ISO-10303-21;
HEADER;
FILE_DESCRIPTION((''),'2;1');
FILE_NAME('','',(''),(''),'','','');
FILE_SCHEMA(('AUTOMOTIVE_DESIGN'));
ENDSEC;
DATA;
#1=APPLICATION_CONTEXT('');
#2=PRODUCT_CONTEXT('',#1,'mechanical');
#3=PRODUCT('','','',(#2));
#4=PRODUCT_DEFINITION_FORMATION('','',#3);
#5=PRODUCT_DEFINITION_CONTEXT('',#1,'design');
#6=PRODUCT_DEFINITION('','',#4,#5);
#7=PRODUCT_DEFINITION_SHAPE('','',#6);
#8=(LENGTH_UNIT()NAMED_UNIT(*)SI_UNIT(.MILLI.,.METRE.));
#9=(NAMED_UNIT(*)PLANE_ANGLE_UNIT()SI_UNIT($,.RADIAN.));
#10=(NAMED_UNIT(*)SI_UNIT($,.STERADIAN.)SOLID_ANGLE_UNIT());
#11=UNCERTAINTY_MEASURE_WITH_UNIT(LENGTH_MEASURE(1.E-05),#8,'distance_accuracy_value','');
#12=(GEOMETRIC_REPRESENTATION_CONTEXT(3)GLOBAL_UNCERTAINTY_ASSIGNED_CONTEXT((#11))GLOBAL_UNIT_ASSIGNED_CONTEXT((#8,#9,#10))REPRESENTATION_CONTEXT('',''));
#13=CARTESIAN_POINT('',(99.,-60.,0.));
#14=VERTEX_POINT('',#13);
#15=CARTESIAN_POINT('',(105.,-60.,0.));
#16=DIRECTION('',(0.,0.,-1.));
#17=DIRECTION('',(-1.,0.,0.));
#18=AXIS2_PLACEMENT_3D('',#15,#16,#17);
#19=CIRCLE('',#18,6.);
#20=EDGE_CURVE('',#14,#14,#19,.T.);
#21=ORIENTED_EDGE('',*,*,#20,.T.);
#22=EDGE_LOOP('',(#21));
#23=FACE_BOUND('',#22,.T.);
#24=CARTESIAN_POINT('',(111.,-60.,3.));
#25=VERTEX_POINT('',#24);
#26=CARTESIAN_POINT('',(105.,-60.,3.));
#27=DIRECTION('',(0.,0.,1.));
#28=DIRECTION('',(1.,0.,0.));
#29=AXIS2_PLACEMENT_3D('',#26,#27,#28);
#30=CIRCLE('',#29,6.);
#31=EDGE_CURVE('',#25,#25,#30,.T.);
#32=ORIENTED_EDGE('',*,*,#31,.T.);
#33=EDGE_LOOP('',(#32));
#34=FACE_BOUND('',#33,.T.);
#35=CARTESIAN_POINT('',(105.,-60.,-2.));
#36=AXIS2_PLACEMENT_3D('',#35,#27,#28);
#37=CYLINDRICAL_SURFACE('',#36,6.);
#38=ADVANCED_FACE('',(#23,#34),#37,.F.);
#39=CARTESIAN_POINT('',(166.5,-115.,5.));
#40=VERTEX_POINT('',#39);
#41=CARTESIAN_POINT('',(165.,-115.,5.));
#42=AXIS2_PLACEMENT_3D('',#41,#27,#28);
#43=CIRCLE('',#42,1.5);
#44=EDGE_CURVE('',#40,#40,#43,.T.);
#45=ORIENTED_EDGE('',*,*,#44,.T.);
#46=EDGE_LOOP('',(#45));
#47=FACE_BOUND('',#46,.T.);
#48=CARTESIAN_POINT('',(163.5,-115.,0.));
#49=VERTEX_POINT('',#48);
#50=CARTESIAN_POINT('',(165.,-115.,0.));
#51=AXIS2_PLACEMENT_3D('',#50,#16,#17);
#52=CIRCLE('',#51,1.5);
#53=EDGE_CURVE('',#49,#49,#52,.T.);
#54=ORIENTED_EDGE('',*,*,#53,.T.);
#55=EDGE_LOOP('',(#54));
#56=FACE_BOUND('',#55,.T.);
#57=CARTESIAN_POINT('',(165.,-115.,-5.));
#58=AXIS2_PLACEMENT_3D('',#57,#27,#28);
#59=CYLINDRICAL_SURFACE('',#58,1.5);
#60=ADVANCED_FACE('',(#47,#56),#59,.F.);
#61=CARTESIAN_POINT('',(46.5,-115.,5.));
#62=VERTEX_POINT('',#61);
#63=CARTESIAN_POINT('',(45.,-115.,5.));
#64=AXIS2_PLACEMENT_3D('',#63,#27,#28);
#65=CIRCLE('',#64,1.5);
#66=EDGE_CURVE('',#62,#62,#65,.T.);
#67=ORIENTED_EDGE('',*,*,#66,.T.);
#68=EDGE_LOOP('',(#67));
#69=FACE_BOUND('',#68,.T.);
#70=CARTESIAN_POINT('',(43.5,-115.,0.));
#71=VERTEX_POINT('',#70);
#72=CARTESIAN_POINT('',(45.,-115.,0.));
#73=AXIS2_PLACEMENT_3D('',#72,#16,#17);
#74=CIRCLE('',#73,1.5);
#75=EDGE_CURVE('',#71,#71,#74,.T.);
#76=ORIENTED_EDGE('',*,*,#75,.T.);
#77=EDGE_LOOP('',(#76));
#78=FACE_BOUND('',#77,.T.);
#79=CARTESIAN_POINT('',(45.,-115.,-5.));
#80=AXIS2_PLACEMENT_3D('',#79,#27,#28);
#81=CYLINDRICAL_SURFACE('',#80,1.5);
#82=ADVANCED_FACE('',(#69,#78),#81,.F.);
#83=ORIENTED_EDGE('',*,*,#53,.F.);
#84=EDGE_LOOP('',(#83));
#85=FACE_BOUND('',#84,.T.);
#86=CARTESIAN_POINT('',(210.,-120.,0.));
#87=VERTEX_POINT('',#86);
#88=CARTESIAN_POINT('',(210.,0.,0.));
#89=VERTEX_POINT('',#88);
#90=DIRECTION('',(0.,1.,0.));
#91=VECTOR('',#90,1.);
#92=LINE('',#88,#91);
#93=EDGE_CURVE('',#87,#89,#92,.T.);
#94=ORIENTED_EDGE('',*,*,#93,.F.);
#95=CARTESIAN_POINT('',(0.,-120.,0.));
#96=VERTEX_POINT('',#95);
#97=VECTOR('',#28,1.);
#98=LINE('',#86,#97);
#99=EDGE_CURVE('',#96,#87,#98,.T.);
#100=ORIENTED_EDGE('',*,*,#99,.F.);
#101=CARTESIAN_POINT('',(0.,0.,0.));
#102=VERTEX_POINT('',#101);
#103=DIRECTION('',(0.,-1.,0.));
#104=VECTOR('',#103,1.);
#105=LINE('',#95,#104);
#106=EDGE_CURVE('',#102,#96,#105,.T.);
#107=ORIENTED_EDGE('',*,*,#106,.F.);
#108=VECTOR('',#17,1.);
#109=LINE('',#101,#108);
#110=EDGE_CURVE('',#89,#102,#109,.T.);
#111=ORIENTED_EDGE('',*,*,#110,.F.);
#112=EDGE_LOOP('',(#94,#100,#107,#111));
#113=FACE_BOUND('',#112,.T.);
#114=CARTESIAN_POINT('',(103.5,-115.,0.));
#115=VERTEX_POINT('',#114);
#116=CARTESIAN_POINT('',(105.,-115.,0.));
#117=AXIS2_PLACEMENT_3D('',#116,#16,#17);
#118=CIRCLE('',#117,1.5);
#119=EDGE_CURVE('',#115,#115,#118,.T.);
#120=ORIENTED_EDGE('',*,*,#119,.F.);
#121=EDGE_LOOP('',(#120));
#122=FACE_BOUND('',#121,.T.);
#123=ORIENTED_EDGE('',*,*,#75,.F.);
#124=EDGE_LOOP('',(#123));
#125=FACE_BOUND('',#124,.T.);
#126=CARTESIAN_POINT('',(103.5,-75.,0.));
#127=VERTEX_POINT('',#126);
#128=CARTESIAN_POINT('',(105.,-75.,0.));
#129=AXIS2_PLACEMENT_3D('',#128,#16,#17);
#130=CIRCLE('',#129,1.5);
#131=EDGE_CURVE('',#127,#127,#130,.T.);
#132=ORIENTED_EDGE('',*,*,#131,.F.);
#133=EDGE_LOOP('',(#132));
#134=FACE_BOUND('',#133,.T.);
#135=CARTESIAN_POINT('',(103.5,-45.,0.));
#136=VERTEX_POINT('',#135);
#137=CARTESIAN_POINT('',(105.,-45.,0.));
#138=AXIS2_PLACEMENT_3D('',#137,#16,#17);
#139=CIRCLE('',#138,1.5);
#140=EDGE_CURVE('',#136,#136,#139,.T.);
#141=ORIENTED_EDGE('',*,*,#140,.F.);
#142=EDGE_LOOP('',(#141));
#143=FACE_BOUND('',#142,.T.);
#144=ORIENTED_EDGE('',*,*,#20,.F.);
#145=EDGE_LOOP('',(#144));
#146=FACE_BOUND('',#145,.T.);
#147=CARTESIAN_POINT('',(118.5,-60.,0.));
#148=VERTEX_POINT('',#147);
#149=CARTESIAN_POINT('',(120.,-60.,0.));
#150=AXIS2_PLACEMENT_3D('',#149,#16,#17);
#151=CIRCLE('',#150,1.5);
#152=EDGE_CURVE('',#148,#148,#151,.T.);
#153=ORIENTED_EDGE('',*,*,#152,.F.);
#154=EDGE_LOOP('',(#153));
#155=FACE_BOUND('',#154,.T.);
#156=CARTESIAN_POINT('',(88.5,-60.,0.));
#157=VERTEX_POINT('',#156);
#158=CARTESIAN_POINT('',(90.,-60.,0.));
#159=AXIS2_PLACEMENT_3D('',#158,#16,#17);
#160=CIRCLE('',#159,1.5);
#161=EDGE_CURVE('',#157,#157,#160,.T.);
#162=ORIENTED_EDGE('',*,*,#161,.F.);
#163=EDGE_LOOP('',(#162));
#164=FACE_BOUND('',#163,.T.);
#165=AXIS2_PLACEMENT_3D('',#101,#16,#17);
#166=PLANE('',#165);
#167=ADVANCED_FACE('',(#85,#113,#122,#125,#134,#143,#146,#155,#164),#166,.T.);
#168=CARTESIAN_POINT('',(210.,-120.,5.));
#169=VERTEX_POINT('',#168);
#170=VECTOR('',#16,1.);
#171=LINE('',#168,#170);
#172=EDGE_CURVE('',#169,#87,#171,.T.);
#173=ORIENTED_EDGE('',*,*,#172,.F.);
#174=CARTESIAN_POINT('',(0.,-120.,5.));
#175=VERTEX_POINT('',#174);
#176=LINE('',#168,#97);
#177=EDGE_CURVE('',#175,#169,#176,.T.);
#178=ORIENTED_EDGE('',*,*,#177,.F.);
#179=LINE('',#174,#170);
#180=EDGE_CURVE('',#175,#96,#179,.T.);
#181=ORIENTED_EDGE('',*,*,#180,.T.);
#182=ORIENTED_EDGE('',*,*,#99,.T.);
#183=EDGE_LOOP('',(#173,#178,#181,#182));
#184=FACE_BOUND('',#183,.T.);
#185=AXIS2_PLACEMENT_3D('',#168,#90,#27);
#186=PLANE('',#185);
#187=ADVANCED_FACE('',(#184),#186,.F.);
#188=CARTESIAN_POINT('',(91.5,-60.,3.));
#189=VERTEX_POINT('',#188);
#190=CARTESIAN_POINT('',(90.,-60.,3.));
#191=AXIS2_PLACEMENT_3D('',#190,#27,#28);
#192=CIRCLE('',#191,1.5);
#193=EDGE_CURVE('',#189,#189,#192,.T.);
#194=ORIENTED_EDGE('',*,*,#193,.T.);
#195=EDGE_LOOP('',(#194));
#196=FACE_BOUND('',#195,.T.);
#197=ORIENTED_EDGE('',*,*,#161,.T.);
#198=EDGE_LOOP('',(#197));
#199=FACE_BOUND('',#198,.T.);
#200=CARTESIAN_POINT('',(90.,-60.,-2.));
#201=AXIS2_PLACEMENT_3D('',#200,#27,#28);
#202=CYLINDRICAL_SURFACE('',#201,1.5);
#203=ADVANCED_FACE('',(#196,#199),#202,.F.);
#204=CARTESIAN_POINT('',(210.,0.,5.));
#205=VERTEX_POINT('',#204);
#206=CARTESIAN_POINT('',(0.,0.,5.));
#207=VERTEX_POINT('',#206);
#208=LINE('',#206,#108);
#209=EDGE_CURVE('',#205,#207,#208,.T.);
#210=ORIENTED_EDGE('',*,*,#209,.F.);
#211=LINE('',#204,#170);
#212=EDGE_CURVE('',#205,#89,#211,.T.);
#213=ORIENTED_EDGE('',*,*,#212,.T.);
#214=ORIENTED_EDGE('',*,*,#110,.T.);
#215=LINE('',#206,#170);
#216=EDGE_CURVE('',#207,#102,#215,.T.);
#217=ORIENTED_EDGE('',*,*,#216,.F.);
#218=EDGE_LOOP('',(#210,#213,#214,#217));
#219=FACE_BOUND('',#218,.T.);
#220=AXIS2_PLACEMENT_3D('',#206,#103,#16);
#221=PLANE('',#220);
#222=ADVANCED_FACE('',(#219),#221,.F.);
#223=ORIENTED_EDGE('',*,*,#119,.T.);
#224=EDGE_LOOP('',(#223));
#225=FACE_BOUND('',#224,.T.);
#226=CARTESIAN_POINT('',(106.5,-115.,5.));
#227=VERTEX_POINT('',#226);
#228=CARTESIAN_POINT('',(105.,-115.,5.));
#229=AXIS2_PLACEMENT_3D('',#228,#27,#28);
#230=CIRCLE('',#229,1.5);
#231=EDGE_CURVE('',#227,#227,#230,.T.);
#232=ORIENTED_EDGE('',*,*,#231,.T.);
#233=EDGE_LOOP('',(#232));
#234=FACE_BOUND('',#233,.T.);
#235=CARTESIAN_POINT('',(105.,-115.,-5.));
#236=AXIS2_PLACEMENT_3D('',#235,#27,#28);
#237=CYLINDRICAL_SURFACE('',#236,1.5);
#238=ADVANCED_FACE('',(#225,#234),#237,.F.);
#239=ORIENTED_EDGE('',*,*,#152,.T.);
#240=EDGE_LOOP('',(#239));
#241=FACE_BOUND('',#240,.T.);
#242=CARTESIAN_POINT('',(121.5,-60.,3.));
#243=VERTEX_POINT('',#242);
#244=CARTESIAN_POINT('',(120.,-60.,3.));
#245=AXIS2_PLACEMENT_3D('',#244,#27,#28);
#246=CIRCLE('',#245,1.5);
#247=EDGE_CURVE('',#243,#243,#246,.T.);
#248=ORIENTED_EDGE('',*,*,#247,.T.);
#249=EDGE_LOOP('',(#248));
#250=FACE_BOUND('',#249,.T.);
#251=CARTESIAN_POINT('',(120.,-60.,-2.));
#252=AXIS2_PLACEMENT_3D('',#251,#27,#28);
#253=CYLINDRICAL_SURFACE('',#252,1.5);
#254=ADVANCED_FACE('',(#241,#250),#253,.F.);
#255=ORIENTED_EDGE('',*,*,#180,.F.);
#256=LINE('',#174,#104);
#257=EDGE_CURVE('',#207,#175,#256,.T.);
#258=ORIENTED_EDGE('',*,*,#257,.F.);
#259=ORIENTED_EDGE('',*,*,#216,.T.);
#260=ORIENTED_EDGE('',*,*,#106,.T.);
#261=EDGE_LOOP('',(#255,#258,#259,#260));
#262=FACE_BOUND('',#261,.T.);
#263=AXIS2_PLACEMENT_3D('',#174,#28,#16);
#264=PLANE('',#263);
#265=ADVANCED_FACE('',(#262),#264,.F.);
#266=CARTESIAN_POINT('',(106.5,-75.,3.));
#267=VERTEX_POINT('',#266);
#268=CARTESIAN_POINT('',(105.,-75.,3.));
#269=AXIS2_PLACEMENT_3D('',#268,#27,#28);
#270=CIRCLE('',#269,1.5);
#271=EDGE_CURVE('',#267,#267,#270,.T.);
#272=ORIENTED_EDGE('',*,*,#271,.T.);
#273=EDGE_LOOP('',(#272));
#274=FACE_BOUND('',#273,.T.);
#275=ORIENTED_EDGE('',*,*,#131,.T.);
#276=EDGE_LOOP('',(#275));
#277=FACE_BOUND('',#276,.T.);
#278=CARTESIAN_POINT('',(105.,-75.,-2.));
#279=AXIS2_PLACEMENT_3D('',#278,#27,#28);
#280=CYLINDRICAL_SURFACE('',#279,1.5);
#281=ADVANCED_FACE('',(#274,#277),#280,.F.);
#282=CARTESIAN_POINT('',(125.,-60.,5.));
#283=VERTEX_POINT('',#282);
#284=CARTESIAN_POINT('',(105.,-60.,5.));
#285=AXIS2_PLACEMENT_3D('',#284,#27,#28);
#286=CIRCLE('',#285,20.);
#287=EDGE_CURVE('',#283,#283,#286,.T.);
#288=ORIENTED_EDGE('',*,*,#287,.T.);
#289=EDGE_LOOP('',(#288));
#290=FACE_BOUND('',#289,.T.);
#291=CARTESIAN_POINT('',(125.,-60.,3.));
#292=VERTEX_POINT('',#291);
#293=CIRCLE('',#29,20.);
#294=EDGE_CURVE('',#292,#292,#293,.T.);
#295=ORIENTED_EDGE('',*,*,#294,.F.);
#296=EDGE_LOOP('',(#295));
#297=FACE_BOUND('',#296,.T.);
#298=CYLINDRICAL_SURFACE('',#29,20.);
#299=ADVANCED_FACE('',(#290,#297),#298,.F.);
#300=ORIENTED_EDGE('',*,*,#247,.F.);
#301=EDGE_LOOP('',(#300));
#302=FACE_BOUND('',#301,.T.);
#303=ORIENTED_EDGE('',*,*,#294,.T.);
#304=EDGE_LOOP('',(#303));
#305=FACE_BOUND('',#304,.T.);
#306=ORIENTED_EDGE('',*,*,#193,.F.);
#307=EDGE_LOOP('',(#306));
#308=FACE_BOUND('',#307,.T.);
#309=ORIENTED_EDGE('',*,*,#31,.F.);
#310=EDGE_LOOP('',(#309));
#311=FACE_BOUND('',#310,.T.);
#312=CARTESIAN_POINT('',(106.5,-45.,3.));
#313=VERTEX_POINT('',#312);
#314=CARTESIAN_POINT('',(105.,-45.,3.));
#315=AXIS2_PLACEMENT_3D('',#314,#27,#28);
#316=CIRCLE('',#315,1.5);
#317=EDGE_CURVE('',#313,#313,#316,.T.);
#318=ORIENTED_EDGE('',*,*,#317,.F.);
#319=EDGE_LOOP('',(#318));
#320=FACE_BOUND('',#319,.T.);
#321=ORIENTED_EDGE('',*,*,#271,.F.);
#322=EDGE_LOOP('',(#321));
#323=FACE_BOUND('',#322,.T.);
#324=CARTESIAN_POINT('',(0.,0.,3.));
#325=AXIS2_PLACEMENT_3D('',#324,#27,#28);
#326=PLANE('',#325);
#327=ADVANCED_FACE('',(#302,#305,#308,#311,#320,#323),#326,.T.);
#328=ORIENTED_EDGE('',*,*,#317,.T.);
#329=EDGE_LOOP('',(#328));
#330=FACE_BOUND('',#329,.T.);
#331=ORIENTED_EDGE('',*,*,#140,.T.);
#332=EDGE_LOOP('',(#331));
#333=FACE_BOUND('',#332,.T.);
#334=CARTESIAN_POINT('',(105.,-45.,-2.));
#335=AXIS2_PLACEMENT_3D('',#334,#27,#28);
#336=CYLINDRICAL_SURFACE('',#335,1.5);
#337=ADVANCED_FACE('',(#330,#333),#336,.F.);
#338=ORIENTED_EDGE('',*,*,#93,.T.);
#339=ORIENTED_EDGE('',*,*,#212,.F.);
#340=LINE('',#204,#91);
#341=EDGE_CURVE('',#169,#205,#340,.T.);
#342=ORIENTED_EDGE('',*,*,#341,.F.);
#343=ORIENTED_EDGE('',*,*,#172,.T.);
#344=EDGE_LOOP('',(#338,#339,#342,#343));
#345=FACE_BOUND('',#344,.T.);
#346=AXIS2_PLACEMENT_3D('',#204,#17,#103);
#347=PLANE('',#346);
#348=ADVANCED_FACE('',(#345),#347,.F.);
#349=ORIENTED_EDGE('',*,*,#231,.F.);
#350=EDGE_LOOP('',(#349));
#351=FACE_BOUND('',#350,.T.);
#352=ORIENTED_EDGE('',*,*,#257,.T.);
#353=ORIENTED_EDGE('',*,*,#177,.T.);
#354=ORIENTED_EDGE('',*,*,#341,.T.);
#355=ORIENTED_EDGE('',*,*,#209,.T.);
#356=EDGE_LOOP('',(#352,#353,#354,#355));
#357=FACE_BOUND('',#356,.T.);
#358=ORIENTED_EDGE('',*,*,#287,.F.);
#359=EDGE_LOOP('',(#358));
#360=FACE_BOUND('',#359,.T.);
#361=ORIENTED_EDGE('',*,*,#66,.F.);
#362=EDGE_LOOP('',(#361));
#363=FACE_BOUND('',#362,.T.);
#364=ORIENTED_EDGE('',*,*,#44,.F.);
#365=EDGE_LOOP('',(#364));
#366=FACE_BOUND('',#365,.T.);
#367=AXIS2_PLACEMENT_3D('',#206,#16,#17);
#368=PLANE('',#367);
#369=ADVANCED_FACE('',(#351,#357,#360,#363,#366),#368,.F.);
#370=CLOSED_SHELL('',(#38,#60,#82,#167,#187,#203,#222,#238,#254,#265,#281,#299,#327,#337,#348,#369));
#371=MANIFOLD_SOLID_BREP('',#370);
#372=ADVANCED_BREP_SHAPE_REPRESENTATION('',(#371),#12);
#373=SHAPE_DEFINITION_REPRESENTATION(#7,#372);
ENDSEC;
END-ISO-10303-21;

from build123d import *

# Parameters (mm, degrees)
SKETCH1_W           = 210
SKETCH1_H           = 120
BOSS_EXTRUDE1_DEPTH = 5
CUT_EXTRUDE1_DEPTH  = 2
SKETCH3_R           = 1.5
CUT_EXTRUDE3_DEPTH  = 5
SKETCH4_R           = 6
CUT_EXTRUDE4_DEPTH  = 5
SKETCH5_R           = 1.5
CUT_EXTRUDE5_DEPTH  = 10


with BuildPart() as part:
    # Sketch1 → Boss-Extrude1 (new body)
    with BuildSketch(Plane.XY):
        with Locations((105, -60)):
            Rectangle(SKETCH1_W, SKETCH1_H)
    extrude(amount=BOSS_EXTRUDE1_DEPTH)

    # Sketch2 → Cut-Extrude1 (cut)
    with BuildSketch(Plane.XY.offset(5)):
        with BuildLine():
            ThreePointArc((125, -60), (105, -40), (85, -60))
            Line((85, -60), (125, -60))
        make_face()
        with BuildLine():
            Line((125, -60), (85, -60))
            ThreePointArc((85, -60), (105, -80), (125, -60))
        make_face()
    extrude(amount=-CUT_EXTRUDE1_DEPTH, mode=Mode.SUBTRACT)

    # Sketch3 → Cut-Extrude3 (cut)
    with BuildSketch(Plane.XY.offset(3)):
        with Locations((105, -45)):
            Circle(SKETCH3_R)
        with Locations((120, -60)):
            Circle(SKETCH3_R)
        with Locations((105, -75)):
            Circle(SKETCH3_R)
        with Locations((90, -60)):
            Circle(SKETCH3_R)
    extrude(amount=-CUT_EXTRUDE3_DEPTH, mode=Mode.SUBTRACT)

    # Sketch4 → Cut-Extrude4 (cut)
    with BuildSketch(Plane.XY.offset(3)):
        with Locations((105, -60)):
            Circle(SKETCH4_R)
    extrude(amount=-CUT_EXTRUDE4_DEPTH, mode=Mode.SUBTRACT)

    # Sketch5 → Cut-Extrude5 (cut)
    with BuildSketch(Plane.XY.offset(5)):
        with Locations((45, -115)):
            Circle(SKETCH5_R)
        with Locations((105, -115)):
            Circle(SKETCH5_R)
        with Locations((165, -115)):
            Circle(SKETCH5_R)
    extrude(amount=-CUT_EXTRUDE5_DEPTH, mode=Mode.SUBTRACT)


solid = part.part
